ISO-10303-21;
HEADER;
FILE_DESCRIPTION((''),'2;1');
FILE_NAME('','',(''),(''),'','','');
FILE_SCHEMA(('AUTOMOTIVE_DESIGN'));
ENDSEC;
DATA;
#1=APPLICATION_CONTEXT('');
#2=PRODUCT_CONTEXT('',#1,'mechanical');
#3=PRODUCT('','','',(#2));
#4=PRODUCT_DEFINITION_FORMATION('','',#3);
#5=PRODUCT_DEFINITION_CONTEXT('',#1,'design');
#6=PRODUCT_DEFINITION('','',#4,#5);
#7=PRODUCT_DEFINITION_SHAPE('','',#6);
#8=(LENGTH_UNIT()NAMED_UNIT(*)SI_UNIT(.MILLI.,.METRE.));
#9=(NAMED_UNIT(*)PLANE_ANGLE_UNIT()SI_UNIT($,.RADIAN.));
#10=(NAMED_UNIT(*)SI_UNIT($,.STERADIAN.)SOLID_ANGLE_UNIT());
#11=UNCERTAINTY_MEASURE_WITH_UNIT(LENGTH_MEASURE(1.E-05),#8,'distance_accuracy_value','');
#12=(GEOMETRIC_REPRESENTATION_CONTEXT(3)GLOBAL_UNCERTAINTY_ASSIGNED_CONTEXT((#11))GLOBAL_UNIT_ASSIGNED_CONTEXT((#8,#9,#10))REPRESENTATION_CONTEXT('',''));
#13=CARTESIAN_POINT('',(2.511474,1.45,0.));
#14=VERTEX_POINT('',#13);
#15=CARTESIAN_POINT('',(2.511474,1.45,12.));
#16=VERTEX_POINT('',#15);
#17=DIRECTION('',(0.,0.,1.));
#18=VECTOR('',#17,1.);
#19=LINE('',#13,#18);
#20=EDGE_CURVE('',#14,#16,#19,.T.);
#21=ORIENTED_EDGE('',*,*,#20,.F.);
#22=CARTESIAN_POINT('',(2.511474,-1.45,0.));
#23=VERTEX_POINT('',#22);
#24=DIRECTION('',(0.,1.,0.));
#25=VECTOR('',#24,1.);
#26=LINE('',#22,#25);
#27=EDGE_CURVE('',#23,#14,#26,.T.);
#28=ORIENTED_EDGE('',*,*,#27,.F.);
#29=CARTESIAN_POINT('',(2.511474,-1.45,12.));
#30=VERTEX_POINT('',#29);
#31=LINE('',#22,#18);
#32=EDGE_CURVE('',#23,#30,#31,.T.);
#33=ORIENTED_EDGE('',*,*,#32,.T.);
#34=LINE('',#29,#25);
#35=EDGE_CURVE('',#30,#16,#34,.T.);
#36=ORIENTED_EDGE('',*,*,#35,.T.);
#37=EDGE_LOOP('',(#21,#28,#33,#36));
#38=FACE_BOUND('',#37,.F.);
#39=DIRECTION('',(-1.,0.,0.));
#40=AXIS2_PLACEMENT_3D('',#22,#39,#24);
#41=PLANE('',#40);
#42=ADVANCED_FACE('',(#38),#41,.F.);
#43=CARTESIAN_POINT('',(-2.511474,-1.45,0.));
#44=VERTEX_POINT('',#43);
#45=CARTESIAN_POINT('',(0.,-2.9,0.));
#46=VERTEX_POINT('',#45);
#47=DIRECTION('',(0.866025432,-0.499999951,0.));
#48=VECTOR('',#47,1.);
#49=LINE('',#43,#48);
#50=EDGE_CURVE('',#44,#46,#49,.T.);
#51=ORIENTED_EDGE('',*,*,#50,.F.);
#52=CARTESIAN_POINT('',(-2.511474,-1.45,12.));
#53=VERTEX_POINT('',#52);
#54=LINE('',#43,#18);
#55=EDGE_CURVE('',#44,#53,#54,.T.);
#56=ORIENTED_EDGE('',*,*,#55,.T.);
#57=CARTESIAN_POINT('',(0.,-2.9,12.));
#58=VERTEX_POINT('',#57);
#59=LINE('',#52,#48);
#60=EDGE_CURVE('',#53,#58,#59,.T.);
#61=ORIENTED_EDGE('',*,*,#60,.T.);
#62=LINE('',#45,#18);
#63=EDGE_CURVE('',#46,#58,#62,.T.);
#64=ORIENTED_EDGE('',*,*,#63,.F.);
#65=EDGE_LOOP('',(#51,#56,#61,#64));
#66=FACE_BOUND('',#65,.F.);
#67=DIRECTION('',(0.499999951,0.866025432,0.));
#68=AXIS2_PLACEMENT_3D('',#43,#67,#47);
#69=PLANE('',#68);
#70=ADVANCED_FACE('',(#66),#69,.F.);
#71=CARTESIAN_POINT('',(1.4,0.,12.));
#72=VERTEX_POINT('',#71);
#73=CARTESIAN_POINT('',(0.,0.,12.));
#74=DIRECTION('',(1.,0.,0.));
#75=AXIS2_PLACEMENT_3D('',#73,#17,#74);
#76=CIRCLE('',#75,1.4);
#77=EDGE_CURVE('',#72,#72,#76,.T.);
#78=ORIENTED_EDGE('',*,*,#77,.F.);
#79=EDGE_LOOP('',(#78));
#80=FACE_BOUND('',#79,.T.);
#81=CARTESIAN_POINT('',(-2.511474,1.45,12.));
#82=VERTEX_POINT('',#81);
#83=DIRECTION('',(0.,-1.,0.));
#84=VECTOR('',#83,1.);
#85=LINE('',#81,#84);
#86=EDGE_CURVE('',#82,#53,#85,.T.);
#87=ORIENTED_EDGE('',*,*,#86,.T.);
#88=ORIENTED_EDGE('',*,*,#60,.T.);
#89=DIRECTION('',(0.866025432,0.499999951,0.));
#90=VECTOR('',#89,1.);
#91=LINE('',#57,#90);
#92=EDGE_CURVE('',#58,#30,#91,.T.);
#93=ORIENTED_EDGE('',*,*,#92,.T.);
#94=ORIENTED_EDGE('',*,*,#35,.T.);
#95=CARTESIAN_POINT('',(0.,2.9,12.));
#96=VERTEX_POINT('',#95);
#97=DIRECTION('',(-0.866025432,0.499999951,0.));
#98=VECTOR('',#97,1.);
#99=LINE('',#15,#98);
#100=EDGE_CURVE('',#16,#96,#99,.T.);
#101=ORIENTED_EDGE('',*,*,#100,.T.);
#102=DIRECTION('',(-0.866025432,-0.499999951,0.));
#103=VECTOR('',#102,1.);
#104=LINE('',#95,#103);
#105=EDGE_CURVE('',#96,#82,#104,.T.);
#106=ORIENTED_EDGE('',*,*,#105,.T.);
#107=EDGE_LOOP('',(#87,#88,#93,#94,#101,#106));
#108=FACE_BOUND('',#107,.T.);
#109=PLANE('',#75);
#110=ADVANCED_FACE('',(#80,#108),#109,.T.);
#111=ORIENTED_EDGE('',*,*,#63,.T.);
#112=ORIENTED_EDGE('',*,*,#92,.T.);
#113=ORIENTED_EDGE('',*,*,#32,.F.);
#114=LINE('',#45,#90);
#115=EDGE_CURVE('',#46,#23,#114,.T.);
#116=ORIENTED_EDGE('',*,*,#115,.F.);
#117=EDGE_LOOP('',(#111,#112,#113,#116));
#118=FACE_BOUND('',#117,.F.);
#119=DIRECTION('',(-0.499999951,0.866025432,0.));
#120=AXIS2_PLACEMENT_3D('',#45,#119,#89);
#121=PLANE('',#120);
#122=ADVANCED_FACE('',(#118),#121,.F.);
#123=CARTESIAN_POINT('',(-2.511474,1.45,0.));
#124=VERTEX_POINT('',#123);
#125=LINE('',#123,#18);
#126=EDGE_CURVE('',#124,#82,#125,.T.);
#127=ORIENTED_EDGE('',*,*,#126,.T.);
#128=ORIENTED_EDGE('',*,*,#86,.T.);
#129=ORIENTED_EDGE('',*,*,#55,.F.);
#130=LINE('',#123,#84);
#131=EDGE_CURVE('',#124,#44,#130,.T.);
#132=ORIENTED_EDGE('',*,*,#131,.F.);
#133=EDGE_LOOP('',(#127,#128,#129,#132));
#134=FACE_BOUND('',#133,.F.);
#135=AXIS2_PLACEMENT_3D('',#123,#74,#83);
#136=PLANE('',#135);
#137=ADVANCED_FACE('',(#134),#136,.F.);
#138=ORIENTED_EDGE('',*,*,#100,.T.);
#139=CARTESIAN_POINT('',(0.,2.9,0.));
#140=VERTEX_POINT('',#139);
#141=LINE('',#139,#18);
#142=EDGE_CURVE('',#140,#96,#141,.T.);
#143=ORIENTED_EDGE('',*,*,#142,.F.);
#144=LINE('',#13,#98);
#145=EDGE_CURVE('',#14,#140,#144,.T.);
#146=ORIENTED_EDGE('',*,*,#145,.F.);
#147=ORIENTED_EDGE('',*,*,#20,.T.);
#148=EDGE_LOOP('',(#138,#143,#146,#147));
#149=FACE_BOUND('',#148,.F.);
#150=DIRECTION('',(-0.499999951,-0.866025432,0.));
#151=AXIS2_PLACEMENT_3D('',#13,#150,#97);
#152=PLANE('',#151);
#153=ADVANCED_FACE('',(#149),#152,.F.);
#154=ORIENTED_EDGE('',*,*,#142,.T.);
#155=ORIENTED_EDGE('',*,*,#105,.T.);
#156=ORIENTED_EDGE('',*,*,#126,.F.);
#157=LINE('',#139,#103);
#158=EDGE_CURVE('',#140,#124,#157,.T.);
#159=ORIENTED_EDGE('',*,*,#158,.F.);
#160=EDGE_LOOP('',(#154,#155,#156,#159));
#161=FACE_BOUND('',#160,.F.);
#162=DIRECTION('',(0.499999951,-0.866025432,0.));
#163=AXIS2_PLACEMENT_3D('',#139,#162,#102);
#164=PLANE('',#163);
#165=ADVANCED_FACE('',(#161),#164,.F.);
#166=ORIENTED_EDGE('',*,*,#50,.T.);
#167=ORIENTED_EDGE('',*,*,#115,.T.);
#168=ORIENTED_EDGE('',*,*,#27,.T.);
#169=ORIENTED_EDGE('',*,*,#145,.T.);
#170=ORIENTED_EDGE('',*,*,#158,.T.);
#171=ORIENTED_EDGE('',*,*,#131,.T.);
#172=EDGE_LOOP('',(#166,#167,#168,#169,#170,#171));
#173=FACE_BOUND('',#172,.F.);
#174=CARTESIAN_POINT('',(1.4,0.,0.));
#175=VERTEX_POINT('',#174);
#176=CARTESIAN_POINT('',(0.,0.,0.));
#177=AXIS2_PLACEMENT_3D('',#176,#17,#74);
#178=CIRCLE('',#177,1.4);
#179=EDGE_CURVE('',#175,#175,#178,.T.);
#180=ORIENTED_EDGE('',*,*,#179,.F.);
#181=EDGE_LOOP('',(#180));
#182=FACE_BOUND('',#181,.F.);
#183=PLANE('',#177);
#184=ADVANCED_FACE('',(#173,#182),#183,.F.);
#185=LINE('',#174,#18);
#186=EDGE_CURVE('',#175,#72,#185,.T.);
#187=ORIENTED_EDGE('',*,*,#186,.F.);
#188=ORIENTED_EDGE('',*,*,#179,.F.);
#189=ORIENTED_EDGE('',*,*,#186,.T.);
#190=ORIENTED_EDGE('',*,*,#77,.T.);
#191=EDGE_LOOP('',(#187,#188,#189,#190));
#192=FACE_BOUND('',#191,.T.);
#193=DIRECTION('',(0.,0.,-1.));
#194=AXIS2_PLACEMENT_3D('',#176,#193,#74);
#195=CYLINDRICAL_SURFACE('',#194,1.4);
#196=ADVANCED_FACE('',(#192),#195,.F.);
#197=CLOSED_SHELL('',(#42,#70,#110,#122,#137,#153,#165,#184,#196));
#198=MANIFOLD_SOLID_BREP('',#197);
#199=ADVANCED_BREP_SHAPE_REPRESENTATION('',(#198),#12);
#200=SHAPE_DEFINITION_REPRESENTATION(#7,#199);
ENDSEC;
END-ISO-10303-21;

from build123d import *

# Parameters (mm, degrees)
SKETCH_R  = 1.4
PAD_DEPTH = 12


with BuildPart() as part:
    # Sketch → Pad (new body)
    with BuildSketch(Plane.XY):
        Polygon((2.511474, 1.45), (0, 2.9), (-2.511474, 1.45), (-2.511474, -1.45), (0, -2.9), (2.511474, -1.45), align=None)
        Circle(SKETCH_R, mode=Mode.SUBTRACT)
    extrude(amount=PAD_DEPTH)


solid = part.part
